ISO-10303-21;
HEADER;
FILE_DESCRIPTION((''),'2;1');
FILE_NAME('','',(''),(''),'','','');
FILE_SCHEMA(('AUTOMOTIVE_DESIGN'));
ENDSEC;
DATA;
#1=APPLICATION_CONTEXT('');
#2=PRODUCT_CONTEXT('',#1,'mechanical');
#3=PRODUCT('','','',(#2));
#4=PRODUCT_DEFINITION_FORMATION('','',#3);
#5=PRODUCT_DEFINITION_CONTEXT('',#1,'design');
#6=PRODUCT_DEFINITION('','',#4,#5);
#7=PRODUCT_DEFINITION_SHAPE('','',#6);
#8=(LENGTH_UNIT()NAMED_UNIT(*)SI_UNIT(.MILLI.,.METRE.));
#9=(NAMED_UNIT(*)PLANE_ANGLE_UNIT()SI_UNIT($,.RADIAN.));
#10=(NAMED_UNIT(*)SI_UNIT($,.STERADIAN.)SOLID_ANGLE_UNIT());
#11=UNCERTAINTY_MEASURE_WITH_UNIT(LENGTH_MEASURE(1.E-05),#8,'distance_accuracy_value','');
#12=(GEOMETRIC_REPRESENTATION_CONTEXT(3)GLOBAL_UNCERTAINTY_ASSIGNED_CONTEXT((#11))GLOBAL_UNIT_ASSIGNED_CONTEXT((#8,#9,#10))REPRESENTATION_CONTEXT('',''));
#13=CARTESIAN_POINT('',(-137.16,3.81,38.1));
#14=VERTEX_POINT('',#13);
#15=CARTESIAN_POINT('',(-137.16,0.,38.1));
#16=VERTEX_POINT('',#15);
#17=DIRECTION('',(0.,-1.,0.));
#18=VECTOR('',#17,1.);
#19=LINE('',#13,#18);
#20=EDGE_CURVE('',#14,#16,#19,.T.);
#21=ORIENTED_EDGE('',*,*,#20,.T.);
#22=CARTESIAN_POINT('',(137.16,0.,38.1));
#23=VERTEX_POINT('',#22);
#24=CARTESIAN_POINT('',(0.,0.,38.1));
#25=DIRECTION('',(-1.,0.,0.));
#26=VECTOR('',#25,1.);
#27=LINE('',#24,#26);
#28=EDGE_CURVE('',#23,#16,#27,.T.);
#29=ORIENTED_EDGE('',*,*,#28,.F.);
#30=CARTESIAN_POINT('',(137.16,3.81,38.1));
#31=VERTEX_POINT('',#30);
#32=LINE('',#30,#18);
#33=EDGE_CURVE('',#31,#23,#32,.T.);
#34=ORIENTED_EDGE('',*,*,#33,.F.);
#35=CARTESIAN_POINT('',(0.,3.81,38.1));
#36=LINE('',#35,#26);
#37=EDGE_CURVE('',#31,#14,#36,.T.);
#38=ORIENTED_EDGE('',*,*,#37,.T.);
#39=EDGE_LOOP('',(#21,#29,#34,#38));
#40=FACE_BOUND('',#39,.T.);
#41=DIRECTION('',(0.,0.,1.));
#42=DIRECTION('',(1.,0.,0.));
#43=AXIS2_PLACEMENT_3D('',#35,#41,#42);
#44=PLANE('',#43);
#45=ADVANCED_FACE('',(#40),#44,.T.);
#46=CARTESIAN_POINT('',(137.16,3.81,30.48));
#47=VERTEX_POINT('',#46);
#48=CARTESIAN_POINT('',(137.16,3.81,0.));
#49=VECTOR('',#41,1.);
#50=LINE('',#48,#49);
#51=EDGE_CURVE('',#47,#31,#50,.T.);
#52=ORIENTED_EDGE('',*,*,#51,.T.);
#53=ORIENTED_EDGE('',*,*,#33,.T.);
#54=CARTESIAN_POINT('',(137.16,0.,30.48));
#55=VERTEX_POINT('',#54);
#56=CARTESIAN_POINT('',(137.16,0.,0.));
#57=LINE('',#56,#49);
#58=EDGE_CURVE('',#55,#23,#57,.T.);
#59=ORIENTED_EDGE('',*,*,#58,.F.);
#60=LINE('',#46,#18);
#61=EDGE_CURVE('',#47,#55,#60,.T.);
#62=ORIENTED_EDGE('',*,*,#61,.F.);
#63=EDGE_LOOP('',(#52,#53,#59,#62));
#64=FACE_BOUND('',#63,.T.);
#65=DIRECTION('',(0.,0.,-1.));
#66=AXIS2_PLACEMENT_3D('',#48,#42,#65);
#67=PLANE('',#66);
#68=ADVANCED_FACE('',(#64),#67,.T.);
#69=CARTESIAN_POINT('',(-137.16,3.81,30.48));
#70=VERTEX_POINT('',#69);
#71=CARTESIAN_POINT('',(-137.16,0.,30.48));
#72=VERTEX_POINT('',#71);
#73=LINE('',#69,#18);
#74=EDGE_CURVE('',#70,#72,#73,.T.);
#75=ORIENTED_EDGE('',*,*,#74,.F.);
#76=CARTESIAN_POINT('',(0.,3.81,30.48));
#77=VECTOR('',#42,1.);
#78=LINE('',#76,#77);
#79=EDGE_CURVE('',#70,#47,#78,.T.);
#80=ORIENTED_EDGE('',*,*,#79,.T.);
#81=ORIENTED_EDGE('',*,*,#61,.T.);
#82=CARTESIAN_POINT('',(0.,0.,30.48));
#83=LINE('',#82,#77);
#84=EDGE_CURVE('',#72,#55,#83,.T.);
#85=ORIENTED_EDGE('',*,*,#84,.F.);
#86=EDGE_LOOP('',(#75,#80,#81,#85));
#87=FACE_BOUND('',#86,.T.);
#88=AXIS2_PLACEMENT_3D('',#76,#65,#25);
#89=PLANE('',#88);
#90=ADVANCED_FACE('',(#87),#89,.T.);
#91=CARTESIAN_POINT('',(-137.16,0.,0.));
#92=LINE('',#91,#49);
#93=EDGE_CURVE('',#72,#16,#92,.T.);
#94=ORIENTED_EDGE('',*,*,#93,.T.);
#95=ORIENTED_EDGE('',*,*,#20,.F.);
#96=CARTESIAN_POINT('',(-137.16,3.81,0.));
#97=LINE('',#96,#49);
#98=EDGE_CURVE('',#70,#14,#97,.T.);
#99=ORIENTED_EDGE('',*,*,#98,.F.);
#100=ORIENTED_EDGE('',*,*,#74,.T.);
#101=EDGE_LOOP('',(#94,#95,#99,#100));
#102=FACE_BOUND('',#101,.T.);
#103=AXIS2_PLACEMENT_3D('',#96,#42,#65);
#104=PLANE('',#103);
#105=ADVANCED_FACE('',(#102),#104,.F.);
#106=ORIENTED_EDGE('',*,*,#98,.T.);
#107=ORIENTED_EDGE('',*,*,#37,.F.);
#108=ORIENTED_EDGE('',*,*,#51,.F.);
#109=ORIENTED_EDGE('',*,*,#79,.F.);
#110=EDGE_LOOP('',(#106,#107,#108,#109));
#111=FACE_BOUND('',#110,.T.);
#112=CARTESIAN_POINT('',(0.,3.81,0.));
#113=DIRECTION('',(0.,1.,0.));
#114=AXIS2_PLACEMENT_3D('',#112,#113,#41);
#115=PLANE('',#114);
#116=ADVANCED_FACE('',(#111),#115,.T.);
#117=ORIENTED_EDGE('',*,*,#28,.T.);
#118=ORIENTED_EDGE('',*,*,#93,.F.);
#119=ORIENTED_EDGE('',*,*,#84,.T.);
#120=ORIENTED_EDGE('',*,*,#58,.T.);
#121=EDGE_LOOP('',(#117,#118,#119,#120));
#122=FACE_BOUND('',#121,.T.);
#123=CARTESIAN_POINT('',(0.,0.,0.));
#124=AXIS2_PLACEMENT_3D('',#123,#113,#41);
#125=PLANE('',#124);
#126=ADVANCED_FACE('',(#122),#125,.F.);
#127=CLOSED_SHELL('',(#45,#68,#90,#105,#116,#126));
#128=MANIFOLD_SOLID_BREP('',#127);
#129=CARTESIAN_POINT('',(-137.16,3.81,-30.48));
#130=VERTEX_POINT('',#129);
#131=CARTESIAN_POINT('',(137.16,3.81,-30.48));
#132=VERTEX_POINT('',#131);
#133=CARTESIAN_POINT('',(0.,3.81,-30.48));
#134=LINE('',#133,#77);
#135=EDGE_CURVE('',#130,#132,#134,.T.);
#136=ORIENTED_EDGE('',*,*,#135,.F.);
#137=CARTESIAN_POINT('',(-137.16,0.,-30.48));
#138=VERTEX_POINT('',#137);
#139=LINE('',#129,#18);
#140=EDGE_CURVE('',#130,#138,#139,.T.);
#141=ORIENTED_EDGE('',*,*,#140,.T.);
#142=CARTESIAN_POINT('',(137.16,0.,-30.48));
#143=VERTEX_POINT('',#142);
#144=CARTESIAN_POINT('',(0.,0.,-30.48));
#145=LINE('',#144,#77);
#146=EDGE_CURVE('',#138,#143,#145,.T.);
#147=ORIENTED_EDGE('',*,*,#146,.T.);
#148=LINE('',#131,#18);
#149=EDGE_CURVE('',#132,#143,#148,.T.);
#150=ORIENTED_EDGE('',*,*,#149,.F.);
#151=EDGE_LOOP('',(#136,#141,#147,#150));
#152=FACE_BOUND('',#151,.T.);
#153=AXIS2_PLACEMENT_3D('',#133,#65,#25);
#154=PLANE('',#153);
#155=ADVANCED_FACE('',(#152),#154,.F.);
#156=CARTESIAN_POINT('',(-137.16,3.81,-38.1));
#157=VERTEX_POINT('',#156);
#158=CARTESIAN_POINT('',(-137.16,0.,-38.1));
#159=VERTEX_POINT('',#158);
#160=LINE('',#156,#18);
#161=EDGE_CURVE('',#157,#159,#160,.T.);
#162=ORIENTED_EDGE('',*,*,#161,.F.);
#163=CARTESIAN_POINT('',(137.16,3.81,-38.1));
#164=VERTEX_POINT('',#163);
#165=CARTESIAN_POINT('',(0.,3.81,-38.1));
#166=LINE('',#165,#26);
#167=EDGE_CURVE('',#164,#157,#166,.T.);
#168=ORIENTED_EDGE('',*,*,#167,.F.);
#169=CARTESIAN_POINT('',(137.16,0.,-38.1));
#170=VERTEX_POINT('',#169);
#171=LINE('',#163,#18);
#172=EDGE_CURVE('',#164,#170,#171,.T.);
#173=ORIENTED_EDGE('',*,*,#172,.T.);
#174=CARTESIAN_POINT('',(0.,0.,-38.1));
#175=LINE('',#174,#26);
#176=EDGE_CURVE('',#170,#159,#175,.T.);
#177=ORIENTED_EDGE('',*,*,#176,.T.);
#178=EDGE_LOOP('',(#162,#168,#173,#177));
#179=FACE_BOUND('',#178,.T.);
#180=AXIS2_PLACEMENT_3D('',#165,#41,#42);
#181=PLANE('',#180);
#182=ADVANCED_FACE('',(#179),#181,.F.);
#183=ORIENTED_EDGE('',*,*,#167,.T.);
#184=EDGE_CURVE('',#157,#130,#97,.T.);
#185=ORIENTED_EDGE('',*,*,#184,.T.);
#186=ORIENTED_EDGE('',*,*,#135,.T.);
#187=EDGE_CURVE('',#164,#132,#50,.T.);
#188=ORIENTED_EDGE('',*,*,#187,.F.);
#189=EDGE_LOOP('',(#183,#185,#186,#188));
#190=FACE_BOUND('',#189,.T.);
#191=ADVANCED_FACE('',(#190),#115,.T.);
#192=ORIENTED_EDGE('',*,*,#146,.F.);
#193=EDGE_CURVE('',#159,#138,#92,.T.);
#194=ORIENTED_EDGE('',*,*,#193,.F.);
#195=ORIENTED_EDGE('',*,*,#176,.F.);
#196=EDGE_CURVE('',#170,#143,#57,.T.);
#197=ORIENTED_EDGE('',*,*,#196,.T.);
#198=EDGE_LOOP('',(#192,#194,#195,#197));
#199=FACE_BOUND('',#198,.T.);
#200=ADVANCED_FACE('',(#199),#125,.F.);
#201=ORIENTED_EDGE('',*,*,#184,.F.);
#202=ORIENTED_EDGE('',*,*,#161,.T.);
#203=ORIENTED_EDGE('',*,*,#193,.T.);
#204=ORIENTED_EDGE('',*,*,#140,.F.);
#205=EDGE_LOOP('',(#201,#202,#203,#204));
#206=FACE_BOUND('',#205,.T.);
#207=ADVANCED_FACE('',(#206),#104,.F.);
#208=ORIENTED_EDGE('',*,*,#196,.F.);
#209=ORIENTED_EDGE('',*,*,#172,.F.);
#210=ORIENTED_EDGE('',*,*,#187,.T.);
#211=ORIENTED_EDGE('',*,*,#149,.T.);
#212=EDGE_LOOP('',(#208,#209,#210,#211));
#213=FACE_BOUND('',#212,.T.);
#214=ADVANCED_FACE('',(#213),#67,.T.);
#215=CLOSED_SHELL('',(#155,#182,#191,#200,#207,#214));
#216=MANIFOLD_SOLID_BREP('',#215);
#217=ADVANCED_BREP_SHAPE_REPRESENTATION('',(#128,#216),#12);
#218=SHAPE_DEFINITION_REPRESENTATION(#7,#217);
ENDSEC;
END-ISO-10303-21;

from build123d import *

# Parameters (mm, degrees)
SKETCH1_W             = 274.32
SKETCH1_H             = 7.62
BOSS_EXTRUDE1_DEPTH   = 3.81
BOSS_EXTRUDE1_2_DEPTH = 3.81


with BuildPart() as part:
    # Sketch1 → Boss-Extrude1 (new body)
    with BuildSketch(Plane(origin=(0, 0, 0), x_dir=(1, 0, 0), z_dir=(0, 1, 0))):
        with Locations((0, -34.29)):
            Rectangle(SKETCH1_W, SKETCH1_H)
    extrude(amount=BOSS_EXTRUDE1_DEPTH)


with BuildPart() as body_2:
    # Sketch1 → Boss-Extrude1 2 (new body)
    with BuildSketch(Plane(origin=(0, 0, 0), x_dir=(1, 0, 0), z_dir=(0, 1, 0))):
        with Locations((0, 34.29)):
            Rectangle(SKETCH1_W, SKETCH1_H)
    extrude(amount=BOSS_EXTRUDE1_2_DEPTH)


solid = Compound([part.part, body_2.part])
